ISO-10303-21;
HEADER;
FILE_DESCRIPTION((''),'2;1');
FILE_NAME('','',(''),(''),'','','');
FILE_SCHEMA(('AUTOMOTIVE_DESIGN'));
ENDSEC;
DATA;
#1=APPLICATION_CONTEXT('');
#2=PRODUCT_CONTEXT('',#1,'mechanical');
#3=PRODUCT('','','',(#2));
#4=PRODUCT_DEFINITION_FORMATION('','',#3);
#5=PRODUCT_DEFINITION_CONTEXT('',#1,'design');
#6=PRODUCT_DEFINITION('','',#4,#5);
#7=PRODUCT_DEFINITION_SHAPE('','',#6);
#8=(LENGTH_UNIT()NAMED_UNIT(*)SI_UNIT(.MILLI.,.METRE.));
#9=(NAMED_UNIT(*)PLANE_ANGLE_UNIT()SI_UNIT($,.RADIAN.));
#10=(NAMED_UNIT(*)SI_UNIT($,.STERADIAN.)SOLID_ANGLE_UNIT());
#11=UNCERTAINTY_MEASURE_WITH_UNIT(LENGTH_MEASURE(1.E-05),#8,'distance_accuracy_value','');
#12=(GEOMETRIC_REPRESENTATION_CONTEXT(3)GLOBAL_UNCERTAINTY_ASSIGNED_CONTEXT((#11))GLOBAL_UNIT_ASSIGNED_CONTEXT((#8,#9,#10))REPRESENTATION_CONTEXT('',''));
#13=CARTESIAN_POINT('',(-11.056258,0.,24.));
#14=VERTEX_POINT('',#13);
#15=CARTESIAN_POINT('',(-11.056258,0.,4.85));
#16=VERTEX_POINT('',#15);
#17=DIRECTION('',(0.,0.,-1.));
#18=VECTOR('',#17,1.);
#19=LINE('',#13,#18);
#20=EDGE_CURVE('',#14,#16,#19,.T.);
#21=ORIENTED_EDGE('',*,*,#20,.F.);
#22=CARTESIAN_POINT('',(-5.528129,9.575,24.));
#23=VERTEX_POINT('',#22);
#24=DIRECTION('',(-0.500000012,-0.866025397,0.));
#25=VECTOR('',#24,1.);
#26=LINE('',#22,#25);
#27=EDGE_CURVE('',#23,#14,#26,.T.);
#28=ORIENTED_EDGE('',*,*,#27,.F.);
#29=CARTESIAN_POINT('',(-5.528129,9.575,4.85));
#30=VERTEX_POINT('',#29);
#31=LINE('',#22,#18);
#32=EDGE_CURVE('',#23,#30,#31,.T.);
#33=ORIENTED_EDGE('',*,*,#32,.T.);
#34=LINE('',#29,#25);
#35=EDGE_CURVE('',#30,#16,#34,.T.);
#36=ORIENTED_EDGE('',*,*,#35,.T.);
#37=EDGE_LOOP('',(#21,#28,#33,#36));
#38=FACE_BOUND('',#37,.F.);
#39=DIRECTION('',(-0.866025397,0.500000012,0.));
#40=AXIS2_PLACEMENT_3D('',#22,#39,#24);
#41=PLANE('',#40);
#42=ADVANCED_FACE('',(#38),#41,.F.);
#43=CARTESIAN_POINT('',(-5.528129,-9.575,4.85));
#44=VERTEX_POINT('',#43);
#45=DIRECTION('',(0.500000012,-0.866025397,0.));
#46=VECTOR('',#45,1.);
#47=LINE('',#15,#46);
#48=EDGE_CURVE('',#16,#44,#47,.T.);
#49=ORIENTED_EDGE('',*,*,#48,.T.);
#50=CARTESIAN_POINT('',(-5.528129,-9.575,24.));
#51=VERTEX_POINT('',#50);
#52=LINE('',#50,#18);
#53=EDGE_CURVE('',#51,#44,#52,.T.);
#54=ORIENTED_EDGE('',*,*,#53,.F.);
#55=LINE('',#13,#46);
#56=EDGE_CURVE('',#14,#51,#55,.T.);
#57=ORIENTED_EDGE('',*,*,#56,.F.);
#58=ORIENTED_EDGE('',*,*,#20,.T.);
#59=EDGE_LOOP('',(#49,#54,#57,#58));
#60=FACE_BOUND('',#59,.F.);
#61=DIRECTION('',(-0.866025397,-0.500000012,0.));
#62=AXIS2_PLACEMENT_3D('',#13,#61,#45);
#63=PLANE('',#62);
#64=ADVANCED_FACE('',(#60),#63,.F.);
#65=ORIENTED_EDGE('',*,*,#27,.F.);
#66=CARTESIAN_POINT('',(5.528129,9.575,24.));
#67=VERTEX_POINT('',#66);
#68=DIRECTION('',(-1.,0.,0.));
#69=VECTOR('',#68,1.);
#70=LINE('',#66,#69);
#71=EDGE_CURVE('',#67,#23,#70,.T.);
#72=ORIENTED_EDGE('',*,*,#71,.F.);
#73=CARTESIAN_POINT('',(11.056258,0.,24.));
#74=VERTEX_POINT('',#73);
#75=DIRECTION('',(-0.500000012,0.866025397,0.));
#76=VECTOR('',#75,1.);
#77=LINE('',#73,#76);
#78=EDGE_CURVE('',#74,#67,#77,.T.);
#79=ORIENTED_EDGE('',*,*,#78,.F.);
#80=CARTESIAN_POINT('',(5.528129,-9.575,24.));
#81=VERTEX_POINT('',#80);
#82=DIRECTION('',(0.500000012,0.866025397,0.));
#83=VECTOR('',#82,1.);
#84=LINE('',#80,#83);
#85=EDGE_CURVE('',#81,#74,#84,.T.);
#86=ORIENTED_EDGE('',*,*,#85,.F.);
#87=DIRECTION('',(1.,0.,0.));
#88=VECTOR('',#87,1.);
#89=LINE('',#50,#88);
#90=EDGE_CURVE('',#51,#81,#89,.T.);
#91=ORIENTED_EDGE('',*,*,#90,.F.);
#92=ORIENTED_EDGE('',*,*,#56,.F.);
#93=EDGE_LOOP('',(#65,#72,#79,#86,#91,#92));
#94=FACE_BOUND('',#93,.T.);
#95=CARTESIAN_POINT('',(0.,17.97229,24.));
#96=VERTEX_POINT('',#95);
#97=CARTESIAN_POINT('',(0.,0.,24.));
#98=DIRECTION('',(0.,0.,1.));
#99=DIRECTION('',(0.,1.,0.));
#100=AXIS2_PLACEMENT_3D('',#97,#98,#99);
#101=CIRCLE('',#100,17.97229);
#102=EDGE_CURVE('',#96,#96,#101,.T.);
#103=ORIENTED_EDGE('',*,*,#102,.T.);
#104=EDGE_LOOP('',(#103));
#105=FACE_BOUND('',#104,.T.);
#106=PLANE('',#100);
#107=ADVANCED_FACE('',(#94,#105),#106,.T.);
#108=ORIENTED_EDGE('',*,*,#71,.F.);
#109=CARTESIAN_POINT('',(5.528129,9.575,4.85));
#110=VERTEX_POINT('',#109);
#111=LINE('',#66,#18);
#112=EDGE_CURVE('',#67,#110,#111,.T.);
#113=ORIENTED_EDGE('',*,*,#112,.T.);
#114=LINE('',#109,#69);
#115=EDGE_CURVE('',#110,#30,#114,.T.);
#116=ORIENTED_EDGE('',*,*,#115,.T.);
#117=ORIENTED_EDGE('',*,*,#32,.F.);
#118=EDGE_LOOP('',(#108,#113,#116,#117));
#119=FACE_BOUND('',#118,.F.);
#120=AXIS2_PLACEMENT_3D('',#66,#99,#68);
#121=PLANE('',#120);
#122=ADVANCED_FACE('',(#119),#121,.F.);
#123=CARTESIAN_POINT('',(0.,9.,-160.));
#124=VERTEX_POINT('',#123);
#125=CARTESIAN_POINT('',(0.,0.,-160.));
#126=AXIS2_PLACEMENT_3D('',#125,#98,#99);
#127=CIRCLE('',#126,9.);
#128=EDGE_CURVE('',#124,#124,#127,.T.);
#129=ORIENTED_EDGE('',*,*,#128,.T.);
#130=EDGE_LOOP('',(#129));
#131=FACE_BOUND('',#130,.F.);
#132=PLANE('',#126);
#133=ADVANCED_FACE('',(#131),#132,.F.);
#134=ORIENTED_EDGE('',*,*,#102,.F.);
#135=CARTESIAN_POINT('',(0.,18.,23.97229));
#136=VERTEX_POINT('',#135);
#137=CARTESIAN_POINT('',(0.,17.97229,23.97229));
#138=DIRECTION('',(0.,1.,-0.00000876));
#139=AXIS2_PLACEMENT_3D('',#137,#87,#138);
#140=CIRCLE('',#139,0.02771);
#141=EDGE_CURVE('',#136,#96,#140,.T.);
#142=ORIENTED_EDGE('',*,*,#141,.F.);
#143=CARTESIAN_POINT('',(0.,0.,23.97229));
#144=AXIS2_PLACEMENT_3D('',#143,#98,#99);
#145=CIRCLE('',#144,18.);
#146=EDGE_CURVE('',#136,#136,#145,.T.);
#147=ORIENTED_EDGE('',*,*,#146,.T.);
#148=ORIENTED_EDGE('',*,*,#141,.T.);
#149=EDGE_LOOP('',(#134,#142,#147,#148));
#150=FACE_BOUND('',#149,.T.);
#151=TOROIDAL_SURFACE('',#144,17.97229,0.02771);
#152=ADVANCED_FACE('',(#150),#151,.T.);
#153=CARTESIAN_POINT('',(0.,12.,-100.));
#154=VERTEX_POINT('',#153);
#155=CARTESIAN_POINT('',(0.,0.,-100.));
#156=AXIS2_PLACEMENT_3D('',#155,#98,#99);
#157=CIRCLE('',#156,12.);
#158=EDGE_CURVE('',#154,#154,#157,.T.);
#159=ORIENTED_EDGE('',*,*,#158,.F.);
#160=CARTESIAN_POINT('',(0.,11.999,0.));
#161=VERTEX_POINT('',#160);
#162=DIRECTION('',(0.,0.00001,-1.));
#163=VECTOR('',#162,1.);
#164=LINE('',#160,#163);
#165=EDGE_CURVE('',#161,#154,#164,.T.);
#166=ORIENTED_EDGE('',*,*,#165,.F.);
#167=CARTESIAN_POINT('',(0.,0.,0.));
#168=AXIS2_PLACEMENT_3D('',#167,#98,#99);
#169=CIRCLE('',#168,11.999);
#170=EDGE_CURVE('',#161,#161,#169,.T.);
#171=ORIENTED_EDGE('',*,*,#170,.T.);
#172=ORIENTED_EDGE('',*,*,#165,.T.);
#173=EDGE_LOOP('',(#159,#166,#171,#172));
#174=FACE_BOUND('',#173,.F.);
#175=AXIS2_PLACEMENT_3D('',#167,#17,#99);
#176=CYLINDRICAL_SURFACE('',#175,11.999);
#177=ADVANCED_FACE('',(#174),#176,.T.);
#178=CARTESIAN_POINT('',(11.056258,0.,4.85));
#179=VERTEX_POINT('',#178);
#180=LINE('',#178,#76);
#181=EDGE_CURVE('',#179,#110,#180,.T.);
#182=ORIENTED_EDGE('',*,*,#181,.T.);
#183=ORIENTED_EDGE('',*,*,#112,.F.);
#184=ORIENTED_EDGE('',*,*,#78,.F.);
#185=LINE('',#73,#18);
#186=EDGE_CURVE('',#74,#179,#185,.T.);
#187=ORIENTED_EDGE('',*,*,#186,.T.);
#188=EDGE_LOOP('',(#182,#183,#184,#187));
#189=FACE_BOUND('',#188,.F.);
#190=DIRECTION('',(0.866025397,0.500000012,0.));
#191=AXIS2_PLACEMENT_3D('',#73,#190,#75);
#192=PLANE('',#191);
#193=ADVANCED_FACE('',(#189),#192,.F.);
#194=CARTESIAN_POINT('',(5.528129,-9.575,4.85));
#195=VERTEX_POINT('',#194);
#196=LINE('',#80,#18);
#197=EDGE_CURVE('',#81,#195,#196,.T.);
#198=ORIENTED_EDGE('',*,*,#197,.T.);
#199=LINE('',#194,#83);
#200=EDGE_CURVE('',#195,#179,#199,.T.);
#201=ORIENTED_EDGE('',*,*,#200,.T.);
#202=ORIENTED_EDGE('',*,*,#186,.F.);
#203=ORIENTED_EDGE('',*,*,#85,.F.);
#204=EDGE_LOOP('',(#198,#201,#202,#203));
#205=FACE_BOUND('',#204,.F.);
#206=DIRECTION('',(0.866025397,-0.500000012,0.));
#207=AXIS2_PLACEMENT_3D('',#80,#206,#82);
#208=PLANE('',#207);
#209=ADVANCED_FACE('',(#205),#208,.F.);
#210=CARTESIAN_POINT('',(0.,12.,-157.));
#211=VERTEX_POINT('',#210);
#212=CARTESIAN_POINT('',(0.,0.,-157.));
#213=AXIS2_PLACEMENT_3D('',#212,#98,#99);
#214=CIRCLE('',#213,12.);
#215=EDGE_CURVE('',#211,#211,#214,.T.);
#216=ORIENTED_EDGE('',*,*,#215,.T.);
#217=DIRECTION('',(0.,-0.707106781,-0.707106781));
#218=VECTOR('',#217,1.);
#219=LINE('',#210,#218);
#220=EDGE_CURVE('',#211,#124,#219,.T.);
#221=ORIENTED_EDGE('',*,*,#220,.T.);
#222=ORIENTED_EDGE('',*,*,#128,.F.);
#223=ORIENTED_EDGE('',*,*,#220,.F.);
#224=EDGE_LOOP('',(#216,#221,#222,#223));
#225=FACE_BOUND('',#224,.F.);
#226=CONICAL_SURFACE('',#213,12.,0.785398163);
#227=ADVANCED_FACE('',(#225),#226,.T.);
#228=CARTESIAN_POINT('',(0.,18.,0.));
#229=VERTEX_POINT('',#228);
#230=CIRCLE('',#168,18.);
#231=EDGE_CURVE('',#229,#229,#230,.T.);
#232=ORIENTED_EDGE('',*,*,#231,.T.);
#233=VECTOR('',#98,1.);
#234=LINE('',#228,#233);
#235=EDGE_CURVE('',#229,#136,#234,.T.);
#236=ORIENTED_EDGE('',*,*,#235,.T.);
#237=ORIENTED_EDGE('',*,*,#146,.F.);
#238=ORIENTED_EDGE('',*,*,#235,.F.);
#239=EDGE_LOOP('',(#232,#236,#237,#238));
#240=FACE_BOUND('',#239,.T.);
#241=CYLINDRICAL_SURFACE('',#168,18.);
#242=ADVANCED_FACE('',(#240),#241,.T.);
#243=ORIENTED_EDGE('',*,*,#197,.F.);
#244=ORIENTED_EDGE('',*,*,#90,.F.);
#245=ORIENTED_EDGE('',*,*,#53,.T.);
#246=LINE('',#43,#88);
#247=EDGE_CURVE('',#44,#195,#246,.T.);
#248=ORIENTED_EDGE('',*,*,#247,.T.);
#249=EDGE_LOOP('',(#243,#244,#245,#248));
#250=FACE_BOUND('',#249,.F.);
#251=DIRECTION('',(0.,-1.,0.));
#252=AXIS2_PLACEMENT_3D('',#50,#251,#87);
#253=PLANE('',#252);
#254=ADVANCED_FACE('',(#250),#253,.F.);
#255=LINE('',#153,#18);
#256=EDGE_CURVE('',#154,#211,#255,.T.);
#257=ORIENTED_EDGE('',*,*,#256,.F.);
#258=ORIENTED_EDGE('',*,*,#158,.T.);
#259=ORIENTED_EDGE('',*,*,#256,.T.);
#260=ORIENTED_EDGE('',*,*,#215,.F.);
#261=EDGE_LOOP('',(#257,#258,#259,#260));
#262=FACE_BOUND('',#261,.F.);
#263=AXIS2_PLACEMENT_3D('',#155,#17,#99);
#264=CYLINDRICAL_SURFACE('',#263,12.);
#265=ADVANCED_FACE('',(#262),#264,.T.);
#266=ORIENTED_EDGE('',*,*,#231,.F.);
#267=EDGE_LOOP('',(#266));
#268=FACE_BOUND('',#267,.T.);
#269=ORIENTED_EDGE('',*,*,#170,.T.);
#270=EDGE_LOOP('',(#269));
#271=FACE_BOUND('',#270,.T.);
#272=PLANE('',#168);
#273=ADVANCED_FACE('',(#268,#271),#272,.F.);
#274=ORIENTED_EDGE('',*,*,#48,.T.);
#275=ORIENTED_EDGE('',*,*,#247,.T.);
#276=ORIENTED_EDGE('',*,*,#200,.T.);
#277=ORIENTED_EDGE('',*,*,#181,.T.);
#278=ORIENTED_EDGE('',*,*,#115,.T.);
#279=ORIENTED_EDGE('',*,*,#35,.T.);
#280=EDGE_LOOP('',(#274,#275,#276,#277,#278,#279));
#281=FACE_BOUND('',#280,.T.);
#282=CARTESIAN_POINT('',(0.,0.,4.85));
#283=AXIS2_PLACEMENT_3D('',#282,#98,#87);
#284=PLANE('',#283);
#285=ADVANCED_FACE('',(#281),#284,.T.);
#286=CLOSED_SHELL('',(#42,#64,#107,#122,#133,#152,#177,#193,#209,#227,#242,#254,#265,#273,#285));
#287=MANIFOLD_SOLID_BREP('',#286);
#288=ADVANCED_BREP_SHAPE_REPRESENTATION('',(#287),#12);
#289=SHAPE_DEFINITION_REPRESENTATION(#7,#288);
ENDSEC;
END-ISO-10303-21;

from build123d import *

# Parameters (mm, degrees)
POCKET_DEPTH = 19.15


with BuildPart() as part:
    # Sketch → Revolve (revolve)
    with BuildSketch(Plane.YZ):
        with BuildLine():
            Line((11.999, 0), (18, 0))
            Line((18, 0), (18, 23.97229))
            ThreePointArc((18, 23.97229), (17.991884, 23.991884), (17.97229, 24))
            Line((17.97229, 24), (0, 24))
            Line((0, -160), (0, 24))
            Line((9, -160), (0, -160))
            Line((12, -157), (9, -160))
            Line((12, -100), (12, -157))
            Line((11.999, 0), (12, -100))
        make_face()
    revolve(axis=Axis((0, 0, 0), (0, 0, 1)))

    # Sketch001 → Pocket (cut)
    with BuildSketch(Plane.XY.offset(24)):
        Polygon((11.056258, 0), (5.528129, 9.575), (-5.528129, 9.575), (-11.056258, 0), (-5.528129, -9.575), (5.528129, -9.575), align=None)
    extrude(amount=-POCKET_DEPTH, mode=Mode.SUBTRACT)


solid = part.part
